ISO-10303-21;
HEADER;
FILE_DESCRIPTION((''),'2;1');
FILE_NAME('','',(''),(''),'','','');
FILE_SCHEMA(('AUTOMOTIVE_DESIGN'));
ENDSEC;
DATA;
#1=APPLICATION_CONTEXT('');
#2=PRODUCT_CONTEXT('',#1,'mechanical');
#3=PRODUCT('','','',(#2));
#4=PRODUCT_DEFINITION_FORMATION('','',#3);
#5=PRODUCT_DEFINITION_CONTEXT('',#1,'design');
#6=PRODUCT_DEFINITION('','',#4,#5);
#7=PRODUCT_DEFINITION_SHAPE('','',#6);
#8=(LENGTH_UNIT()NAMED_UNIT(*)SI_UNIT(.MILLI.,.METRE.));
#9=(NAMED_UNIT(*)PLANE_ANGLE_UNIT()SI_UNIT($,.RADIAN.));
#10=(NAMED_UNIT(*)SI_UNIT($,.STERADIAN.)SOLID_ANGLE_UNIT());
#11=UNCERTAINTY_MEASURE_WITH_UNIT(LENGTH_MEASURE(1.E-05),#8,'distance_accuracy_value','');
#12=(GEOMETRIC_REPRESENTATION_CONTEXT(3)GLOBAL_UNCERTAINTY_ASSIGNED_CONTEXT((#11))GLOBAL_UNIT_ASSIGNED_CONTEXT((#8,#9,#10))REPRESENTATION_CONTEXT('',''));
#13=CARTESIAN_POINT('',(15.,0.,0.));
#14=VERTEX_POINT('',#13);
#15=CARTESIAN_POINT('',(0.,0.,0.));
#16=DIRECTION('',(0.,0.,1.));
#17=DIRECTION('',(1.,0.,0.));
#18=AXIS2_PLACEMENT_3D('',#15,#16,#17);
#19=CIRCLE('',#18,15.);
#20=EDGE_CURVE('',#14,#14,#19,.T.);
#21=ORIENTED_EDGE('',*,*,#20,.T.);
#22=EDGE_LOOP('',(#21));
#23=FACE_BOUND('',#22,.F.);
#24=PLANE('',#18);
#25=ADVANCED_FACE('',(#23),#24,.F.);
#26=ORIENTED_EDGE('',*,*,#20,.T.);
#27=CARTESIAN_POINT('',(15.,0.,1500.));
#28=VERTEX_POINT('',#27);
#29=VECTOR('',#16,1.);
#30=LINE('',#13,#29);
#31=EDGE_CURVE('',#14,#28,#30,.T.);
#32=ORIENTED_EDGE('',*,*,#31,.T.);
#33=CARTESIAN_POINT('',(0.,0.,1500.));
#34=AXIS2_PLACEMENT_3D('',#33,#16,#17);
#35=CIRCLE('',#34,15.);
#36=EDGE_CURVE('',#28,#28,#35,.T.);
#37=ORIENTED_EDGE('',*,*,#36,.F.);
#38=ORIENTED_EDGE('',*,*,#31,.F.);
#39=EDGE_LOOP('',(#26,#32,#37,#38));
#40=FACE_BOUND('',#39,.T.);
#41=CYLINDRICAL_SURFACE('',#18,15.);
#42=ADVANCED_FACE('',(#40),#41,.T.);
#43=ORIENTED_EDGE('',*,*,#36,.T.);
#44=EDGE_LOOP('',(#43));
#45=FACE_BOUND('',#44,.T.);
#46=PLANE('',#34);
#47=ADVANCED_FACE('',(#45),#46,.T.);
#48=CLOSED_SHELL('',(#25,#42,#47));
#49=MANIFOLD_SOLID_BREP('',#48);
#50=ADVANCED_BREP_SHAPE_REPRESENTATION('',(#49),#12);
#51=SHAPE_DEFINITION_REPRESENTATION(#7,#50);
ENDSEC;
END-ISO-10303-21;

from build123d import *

# Parameters (mm, degrees)
F1_R = 15


with BuildPart() as f2:
    # F2: sweep along a path in F0
    with BuildLine(Plane.YZ) as f2_path:
        Line((0, 0), (0, 1500))
    # F1 (on Top) → F2 (sweep)
    with BuildSketch(Plane.XY):
        Circle(F1_R)
    sweep(path=f2_path.line)


solid = f2.part
